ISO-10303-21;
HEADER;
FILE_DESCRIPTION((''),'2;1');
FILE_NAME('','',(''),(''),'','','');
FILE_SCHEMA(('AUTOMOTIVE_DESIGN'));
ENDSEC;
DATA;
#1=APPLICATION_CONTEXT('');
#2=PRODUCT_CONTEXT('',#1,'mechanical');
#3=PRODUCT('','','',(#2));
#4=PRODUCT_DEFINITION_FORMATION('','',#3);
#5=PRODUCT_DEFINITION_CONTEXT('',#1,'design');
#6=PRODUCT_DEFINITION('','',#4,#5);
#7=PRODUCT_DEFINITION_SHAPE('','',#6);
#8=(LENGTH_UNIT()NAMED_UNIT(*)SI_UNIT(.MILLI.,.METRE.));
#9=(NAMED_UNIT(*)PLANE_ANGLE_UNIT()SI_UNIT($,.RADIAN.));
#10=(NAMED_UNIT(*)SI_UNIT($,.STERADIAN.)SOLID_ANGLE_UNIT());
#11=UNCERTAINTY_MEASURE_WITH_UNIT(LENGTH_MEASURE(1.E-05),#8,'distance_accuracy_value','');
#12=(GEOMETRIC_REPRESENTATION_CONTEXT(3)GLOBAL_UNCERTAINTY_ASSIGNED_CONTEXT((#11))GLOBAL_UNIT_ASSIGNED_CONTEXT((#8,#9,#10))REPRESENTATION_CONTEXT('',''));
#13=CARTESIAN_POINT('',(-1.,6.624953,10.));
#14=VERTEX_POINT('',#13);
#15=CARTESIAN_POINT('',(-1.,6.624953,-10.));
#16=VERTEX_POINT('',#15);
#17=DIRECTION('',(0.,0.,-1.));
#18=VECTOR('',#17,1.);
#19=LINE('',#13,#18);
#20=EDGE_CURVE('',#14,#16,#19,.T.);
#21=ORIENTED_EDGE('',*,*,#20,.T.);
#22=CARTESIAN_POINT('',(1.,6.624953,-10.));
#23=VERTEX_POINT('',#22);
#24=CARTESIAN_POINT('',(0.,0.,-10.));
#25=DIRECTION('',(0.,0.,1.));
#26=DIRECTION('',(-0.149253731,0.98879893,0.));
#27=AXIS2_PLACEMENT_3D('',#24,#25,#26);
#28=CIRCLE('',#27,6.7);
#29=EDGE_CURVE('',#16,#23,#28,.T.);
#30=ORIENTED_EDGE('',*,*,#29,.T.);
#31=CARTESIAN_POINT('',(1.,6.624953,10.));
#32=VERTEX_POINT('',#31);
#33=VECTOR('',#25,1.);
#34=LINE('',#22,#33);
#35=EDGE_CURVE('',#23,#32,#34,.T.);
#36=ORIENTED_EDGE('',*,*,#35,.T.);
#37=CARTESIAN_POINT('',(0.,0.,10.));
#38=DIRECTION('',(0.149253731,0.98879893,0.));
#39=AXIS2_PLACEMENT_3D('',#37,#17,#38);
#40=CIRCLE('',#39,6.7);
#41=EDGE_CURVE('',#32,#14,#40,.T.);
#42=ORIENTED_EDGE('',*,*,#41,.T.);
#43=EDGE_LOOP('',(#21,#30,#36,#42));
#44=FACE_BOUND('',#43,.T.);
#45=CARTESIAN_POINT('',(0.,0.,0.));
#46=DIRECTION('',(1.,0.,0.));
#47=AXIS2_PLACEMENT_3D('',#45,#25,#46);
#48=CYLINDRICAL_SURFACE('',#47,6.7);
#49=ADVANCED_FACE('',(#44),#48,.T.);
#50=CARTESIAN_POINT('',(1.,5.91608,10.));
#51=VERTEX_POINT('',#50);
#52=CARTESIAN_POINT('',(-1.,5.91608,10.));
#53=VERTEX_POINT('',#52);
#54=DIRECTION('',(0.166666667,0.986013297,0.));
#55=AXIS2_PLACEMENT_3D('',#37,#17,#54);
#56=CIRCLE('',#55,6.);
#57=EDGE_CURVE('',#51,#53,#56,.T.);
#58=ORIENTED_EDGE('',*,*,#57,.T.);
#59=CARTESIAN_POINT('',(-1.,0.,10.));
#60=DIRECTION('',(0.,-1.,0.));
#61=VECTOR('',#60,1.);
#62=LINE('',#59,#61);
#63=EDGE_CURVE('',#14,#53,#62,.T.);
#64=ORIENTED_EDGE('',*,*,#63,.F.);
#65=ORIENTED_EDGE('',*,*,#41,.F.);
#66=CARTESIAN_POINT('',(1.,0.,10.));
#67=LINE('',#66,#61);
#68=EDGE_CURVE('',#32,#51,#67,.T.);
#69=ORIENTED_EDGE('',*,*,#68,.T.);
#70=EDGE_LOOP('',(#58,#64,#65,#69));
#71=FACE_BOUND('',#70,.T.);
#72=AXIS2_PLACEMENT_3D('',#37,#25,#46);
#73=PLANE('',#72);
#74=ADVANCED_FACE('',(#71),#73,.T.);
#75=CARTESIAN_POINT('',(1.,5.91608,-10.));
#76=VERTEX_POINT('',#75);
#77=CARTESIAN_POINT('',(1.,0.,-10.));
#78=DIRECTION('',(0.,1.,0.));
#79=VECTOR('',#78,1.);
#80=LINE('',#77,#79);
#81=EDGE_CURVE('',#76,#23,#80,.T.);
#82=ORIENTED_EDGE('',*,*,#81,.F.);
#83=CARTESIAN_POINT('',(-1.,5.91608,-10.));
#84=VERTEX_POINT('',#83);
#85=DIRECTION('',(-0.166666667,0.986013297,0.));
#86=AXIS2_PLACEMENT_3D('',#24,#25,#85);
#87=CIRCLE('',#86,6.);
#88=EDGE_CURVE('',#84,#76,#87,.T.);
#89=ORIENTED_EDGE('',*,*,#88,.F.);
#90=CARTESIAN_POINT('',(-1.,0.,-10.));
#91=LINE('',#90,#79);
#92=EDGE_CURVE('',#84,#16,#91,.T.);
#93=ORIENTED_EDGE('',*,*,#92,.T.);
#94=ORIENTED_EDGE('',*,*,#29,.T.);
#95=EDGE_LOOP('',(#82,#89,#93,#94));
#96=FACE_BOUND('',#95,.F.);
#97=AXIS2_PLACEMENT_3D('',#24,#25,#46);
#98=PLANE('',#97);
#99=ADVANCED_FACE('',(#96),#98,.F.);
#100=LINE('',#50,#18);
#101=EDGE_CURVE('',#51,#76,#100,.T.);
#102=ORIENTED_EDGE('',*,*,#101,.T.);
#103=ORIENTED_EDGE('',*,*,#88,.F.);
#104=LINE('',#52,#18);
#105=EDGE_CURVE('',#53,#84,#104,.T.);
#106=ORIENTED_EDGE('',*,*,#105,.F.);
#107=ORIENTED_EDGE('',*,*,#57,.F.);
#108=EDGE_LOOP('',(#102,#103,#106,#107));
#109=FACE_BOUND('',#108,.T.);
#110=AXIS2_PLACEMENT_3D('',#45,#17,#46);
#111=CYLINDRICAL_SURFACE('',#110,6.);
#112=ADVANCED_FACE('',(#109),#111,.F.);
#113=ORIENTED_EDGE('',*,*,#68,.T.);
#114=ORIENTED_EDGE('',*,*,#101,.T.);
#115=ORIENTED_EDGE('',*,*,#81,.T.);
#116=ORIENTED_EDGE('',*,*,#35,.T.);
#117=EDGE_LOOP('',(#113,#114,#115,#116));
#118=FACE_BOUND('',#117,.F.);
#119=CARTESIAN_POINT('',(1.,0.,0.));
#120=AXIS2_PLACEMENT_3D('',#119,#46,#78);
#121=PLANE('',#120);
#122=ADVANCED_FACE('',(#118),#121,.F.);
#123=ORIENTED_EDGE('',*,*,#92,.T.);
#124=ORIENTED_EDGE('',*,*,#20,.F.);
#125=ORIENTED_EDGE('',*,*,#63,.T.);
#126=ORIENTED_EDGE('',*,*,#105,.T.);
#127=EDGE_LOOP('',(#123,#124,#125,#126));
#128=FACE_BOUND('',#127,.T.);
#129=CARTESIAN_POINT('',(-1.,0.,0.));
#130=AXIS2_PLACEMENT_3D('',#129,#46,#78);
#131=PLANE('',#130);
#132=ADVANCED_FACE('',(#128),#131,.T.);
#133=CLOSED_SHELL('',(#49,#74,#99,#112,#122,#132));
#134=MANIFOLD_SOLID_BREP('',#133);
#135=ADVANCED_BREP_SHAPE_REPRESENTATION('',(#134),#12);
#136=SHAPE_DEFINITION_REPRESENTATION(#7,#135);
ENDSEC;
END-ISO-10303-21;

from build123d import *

# Parameters (mm, degrees)
F0_R          = 6.7
F0_R_2        = 6
F1_DEPTH      = 10
F2_W          = 2
F2_H          = 6.7
F3_DEPTH      = 10.001
F3_DEPTH_BACK = 10.001


with BuildPart() as f1:
    # F0 (on Top) → F1 (new body, symmetric)
    with BuildSketch(Plane.XY):
        Circle(F0_R)
        Circle(F0_R_2, mode=Mode.SUBTRACT)
    extrude(amount=F1_DEPTH, both=True)

    # F2 (on Top) → F3 (cut, two sides)
    with BuildSketch(Plane.XY) as f3_sk:
        with Locations((0, 3.35)):
            Rectangle(F2_W, F2_H)
    extrude(amount=-F3_DEPTH, mode=Mode.SUBTRACT)
    extrude(f3_sk.sketch, amount=F3_DEPTH_BACK, mode=Mode.SUBTRACT)


solid = f1.part
